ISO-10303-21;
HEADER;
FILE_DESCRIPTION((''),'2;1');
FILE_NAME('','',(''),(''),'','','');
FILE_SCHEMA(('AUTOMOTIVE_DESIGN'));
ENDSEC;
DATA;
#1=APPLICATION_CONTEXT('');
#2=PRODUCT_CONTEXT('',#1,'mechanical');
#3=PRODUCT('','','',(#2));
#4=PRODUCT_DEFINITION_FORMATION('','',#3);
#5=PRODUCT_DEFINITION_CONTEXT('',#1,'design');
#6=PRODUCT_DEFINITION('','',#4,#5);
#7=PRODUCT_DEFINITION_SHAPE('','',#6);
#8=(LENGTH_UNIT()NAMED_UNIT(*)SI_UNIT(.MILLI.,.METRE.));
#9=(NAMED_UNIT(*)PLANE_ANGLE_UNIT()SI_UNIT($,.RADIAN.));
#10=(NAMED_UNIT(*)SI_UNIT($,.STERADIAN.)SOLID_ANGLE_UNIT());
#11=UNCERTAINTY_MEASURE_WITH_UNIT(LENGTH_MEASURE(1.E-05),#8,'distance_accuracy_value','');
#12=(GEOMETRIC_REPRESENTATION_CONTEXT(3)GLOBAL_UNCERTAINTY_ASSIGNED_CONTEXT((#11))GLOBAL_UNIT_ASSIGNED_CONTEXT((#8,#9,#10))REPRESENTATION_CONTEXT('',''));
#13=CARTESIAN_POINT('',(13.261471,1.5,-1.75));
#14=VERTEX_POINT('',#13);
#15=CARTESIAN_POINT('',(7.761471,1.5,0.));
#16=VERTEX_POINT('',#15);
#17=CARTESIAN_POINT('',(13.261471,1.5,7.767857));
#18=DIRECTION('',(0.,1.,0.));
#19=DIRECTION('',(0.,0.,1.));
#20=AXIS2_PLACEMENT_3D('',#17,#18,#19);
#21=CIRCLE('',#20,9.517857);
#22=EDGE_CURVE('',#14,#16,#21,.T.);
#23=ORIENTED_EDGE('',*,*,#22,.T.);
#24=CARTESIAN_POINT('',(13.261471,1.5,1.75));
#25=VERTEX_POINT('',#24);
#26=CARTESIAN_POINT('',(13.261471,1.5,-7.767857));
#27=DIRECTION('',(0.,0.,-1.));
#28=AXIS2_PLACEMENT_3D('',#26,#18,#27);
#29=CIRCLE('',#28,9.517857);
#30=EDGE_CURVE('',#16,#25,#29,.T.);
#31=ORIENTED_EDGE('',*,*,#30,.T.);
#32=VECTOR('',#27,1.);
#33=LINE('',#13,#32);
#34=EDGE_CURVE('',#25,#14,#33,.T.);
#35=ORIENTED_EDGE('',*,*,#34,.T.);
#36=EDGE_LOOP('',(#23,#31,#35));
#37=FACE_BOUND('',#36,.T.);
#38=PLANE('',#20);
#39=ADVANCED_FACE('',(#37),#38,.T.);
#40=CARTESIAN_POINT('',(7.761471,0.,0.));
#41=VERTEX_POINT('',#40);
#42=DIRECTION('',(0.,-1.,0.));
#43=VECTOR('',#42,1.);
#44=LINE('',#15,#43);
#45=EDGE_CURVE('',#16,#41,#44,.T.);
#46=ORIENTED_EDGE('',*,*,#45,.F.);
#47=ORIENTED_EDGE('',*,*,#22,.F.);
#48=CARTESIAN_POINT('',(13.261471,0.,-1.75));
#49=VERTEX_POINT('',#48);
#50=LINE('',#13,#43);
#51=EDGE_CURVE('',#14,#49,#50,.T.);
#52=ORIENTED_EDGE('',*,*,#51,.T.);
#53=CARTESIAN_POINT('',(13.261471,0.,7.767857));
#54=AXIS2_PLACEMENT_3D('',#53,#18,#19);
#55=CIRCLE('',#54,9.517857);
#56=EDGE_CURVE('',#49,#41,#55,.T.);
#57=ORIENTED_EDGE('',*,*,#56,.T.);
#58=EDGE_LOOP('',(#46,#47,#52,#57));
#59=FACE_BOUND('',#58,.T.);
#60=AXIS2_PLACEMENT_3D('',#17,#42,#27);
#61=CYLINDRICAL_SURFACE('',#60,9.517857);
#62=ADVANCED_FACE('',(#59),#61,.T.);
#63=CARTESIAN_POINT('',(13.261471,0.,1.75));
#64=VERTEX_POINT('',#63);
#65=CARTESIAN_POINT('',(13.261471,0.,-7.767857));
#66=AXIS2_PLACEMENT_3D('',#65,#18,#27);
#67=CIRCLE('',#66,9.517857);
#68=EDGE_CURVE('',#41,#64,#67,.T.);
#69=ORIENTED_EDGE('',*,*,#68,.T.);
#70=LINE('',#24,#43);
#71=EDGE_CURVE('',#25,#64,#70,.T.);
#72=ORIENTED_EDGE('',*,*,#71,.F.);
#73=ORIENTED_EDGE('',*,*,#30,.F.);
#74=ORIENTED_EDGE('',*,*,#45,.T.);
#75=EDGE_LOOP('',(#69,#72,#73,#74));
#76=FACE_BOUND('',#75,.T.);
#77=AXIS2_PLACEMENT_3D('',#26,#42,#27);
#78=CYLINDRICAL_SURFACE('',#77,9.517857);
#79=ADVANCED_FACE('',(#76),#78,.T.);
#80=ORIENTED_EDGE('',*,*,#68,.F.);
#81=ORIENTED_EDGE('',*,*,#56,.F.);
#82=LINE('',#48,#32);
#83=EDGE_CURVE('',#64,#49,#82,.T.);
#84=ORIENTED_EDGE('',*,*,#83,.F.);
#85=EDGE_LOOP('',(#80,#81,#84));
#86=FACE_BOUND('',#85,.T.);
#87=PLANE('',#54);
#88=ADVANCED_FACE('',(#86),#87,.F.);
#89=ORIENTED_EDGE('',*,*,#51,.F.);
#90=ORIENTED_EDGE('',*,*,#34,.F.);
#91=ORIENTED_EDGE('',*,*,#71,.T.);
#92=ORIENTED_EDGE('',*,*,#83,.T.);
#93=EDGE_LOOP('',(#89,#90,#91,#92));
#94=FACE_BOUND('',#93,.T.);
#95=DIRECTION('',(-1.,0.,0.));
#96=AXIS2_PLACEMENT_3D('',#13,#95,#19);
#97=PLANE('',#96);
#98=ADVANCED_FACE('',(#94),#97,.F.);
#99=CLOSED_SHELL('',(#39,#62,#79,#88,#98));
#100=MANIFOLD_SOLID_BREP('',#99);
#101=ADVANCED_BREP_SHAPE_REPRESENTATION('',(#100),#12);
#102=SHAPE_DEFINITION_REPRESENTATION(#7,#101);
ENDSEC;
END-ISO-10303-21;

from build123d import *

# Parameters (mm, degrees)
BOSS_EXTRUDE1_DEPTH = 1.5


with BuildPart() as part:
    # Sketch2 → Boss-Extrude1 (new body)
    with BuildSketch(Plane(origin=(0, 0, 0), x_dir=(1, 0, 0), z_dir=(0, 1, 0))):
        with BuildLine():
            Line((13.261470886, 1.75), (13.261470886, -1.75))
            ThreePointArc((13.261470886, -1.75), (10.375621791, -1.301954299), (7.761470886, 0))
            ThreePointArc((7.761470886, 0), (10.375621791, 1.301954299), (13.261470886, 1.75))
        make_face()
    extrude(amount=BOSS_EXTRUDE1_DEPTH)


solid = part.part
